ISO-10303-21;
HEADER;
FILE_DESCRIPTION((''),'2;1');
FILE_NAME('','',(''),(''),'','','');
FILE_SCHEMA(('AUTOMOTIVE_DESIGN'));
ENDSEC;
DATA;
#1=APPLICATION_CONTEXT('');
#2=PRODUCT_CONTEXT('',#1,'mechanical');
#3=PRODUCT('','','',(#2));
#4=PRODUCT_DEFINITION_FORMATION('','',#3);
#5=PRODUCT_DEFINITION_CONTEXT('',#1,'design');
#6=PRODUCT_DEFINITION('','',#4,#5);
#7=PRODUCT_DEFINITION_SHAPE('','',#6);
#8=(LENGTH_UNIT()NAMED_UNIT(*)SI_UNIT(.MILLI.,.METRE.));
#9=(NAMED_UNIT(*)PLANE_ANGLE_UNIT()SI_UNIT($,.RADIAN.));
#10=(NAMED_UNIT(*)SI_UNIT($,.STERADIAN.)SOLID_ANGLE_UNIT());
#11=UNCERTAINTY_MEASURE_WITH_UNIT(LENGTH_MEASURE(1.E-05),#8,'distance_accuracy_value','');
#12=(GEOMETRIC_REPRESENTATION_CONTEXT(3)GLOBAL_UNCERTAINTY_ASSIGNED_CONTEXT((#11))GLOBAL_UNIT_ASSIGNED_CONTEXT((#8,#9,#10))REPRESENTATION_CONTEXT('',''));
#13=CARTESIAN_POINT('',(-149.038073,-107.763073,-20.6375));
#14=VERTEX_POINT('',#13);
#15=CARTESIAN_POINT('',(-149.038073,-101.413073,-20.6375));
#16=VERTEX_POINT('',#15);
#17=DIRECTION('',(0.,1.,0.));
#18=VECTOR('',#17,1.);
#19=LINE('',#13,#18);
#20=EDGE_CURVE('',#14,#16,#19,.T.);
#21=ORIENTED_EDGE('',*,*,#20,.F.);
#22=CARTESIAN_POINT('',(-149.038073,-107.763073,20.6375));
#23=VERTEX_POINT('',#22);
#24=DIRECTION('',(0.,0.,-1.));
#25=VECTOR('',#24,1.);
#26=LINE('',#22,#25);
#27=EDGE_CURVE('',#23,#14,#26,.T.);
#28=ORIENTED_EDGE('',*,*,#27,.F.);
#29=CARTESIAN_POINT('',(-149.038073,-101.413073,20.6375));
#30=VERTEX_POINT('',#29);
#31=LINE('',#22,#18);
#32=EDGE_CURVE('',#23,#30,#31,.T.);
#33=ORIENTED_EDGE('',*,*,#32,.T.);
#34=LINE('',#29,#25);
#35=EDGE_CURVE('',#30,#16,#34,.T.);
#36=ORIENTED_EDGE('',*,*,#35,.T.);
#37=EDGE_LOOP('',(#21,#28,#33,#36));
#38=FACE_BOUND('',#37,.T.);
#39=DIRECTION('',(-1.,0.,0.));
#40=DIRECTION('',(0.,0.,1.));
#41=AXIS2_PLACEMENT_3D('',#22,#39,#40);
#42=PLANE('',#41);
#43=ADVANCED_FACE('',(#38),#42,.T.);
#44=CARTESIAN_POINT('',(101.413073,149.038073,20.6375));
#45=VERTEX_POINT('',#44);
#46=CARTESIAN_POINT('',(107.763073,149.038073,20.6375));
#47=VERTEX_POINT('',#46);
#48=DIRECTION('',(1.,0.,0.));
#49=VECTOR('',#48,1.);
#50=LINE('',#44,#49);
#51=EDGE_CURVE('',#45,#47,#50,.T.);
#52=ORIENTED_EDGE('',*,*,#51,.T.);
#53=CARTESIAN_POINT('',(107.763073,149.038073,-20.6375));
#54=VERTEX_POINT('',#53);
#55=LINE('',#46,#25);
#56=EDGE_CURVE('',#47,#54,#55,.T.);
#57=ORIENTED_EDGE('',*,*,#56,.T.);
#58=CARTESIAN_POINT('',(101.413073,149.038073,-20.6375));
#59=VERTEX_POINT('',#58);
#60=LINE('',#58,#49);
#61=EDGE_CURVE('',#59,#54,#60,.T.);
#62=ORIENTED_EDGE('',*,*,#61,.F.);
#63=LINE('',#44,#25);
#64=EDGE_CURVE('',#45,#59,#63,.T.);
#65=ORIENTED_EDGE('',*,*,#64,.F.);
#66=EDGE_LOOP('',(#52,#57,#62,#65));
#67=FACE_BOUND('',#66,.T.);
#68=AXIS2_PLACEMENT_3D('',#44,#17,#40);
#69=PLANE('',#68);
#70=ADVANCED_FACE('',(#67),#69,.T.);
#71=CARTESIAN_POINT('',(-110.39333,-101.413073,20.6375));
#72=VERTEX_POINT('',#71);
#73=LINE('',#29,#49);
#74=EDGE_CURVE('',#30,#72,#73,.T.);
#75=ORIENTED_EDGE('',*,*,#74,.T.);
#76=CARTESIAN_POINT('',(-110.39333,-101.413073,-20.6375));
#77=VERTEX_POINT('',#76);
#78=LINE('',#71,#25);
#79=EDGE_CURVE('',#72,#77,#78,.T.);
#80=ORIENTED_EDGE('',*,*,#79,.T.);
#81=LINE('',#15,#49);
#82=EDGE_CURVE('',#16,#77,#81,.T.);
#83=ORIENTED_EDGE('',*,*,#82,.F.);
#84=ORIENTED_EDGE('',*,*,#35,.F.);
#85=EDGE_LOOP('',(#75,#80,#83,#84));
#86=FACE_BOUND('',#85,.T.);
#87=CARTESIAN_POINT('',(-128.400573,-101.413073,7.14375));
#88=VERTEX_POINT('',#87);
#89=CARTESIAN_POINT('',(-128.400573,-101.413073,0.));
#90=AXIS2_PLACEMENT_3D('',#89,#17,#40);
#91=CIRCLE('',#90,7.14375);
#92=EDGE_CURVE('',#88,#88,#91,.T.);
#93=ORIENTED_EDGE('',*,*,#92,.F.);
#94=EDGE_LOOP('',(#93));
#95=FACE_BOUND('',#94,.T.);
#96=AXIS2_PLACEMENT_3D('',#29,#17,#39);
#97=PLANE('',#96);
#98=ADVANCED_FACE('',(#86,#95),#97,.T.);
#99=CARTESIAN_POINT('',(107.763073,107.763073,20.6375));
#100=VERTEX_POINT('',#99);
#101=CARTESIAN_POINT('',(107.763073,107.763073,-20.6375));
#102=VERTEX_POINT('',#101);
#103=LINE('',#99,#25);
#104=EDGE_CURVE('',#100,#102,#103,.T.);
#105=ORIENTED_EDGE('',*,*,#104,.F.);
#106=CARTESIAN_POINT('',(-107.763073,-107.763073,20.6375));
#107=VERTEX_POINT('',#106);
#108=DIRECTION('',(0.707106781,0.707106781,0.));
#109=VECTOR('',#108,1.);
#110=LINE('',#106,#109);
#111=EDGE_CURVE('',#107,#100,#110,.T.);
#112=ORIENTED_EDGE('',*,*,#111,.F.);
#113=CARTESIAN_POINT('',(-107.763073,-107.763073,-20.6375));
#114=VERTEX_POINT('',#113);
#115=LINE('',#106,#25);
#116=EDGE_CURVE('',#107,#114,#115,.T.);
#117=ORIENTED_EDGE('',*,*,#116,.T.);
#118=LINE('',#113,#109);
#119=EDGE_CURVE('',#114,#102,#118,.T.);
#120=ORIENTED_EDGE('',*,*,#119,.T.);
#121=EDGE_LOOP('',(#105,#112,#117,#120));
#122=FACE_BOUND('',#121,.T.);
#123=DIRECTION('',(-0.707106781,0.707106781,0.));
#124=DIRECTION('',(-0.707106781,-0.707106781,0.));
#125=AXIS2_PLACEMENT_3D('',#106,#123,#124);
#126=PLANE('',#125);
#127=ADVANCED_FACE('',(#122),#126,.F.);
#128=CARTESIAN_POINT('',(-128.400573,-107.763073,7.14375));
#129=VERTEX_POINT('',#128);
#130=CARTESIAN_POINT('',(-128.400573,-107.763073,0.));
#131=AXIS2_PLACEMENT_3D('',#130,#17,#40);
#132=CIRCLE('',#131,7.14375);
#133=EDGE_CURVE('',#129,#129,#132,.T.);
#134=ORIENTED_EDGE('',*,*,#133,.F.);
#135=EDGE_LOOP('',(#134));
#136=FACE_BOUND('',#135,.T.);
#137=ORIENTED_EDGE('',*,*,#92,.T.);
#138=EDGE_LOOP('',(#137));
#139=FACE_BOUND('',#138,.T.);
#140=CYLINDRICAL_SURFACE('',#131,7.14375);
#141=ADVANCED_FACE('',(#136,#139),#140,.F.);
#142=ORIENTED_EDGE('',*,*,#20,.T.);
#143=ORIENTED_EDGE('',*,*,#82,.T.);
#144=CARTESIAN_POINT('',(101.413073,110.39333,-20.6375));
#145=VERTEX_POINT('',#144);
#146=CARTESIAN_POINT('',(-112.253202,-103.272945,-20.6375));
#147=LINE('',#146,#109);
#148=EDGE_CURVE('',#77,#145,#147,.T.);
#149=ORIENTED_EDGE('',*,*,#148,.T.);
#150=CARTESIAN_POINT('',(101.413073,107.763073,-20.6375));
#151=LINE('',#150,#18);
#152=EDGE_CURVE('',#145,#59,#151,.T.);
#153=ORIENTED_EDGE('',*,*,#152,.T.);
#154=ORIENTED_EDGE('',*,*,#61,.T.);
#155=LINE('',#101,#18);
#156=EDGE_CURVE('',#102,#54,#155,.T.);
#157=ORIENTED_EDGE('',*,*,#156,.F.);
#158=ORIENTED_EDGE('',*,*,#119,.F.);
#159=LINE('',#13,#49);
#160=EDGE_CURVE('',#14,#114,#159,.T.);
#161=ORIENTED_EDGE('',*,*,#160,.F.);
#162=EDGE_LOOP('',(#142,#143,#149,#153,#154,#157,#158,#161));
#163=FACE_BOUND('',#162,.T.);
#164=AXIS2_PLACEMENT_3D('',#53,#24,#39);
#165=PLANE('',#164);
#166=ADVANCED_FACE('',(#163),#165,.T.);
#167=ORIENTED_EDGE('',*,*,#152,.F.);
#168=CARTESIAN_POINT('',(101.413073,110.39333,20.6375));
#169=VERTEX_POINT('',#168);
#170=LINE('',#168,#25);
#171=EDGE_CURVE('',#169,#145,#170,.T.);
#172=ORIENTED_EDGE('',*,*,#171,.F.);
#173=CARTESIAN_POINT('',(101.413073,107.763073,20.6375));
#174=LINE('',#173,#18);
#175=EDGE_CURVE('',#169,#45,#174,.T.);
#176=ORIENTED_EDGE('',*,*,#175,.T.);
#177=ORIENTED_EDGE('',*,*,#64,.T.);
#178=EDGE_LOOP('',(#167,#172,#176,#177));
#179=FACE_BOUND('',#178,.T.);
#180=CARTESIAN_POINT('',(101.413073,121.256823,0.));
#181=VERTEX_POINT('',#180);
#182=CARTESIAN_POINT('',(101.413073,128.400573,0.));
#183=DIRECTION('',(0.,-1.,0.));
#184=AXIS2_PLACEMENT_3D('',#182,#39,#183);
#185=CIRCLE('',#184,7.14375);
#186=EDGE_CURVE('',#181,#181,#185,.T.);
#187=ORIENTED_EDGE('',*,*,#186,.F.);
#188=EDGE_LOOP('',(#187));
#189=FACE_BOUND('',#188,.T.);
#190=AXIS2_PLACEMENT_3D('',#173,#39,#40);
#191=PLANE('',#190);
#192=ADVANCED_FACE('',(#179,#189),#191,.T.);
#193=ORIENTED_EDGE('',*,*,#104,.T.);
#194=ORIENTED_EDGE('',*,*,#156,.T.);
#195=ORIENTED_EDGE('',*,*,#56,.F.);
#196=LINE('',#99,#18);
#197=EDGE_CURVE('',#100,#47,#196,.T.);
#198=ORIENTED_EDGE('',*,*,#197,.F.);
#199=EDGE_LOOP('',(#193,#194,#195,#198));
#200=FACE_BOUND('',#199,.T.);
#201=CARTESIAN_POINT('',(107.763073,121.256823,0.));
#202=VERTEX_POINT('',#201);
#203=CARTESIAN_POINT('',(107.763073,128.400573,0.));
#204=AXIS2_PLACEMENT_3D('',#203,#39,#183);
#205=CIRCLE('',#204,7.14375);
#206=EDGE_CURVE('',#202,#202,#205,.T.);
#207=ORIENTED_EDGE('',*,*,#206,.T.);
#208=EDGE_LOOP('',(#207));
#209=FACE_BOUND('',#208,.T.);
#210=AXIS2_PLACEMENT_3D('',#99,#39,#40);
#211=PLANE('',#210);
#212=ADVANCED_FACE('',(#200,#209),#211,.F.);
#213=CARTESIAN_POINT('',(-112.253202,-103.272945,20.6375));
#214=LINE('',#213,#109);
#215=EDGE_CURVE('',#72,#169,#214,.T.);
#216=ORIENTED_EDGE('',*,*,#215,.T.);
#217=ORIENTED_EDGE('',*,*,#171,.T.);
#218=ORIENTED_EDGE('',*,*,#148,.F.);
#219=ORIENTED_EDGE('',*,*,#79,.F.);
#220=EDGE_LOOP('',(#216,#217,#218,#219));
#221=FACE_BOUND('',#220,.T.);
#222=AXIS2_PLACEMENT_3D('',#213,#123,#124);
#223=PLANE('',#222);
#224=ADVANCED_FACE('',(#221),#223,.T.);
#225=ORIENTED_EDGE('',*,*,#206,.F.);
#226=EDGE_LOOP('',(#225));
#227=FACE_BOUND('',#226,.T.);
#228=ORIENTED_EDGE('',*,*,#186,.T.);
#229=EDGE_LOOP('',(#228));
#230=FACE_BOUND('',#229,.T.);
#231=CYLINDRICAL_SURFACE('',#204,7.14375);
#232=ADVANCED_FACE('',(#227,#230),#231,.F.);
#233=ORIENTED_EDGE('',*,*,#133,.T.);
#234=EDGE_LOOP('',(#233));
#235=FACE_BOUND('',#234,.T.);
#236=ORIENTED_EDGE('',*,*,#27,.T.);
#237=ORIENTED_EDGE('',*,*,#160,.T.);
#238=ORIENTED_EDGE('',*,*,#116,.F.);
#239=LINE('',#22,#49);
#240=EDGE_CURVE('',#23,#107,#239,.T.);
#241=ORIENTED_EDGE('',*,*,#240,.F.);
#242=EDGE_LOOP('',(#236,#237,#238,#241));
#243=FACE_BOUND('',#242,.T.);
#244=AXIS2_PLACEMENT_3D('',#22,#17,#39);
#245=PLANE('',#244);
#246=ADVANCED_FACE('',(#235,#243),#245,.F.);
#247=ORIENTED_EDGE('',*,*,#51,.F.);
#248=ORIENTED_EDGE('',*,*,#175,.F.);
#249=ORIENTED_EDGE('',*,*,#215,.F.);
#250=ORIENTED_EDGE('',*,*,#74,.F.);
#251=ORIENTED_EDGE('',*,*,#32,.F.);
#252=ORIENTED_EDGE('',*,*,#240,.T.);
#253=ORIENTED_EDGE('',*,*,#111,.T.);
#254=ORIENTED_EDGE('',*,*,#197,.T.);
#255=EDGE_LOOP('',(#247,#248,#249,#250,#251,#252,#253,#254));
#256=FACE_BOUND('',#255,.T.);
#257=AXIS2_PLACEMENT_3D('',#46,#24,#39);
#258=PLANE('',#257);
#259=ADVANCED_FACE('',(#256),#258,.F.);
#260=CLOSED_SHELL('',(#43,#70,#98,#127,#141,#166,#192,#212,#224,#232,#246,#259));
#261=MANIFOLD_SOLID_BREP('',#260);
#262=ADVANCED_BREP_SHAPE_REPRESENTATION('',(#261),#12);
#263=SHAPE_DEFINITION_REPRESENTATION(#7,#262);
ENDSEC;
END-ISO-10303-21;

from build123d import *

# Parameters (mm, degrees)
EXTRUDE_THIN1_DEPTH = 20.6375
SKETCH2_R           = 7.14375
CUT_EXTRUDE1_DEPTH  = 293.17123529
SKETCH3_R           = 7.14375
CUT_EXTRUDE2_DEPTH  = 293.17123529


with BuildPart() as part:
    # Sketch1 → Extrude-Thin1 (new, symmetric)
    with BuildSketch(Plane.XY):
        Polygon((-149.038073453, -107.763073453), (-107.763073453, -107.763073453), (107.763073453, 107.763073453), (107.763073453, 149.038073453), (101.413073453, 149.038073453), (101.413073453, 110.393329574), (-110.393329574, -101.413073453), (-149.038073453, -101.413073453), align=None)
    extrude(amount=EXTRUDE_THIN1_DEPTH, both=True)

    # Sketch2 → Cut-Extrude1 (cut, through all)
    with BuildSketch(Plane(origin=(0, -101.413073453, 0), x_dir=(1, 0, 0), z_dir=(0, 1, 0))):
        with Locations(Location((-128.400573453, 0, 0), (0, 0, 270))):
            Circle(SKETCH2_R)
    extrude(amount=-CUT_EXTRUDE1_DEPTH, mode=Mode.SUBTRACT)

    # Sketch3 → Cut-Extrude2 (cut, through all)
    with BuildSketch(Plane.ZY.offset(-101.413073453)):
        with Locations(Location((0, 128.400573453, 0), (0, 0, 270))):
            Circle(SKETCH3_R)
    extrude(amount=-CUT_EXTRUDE2_DEPTH, mode=Mode.SUBTRACT)


solid = part.part
